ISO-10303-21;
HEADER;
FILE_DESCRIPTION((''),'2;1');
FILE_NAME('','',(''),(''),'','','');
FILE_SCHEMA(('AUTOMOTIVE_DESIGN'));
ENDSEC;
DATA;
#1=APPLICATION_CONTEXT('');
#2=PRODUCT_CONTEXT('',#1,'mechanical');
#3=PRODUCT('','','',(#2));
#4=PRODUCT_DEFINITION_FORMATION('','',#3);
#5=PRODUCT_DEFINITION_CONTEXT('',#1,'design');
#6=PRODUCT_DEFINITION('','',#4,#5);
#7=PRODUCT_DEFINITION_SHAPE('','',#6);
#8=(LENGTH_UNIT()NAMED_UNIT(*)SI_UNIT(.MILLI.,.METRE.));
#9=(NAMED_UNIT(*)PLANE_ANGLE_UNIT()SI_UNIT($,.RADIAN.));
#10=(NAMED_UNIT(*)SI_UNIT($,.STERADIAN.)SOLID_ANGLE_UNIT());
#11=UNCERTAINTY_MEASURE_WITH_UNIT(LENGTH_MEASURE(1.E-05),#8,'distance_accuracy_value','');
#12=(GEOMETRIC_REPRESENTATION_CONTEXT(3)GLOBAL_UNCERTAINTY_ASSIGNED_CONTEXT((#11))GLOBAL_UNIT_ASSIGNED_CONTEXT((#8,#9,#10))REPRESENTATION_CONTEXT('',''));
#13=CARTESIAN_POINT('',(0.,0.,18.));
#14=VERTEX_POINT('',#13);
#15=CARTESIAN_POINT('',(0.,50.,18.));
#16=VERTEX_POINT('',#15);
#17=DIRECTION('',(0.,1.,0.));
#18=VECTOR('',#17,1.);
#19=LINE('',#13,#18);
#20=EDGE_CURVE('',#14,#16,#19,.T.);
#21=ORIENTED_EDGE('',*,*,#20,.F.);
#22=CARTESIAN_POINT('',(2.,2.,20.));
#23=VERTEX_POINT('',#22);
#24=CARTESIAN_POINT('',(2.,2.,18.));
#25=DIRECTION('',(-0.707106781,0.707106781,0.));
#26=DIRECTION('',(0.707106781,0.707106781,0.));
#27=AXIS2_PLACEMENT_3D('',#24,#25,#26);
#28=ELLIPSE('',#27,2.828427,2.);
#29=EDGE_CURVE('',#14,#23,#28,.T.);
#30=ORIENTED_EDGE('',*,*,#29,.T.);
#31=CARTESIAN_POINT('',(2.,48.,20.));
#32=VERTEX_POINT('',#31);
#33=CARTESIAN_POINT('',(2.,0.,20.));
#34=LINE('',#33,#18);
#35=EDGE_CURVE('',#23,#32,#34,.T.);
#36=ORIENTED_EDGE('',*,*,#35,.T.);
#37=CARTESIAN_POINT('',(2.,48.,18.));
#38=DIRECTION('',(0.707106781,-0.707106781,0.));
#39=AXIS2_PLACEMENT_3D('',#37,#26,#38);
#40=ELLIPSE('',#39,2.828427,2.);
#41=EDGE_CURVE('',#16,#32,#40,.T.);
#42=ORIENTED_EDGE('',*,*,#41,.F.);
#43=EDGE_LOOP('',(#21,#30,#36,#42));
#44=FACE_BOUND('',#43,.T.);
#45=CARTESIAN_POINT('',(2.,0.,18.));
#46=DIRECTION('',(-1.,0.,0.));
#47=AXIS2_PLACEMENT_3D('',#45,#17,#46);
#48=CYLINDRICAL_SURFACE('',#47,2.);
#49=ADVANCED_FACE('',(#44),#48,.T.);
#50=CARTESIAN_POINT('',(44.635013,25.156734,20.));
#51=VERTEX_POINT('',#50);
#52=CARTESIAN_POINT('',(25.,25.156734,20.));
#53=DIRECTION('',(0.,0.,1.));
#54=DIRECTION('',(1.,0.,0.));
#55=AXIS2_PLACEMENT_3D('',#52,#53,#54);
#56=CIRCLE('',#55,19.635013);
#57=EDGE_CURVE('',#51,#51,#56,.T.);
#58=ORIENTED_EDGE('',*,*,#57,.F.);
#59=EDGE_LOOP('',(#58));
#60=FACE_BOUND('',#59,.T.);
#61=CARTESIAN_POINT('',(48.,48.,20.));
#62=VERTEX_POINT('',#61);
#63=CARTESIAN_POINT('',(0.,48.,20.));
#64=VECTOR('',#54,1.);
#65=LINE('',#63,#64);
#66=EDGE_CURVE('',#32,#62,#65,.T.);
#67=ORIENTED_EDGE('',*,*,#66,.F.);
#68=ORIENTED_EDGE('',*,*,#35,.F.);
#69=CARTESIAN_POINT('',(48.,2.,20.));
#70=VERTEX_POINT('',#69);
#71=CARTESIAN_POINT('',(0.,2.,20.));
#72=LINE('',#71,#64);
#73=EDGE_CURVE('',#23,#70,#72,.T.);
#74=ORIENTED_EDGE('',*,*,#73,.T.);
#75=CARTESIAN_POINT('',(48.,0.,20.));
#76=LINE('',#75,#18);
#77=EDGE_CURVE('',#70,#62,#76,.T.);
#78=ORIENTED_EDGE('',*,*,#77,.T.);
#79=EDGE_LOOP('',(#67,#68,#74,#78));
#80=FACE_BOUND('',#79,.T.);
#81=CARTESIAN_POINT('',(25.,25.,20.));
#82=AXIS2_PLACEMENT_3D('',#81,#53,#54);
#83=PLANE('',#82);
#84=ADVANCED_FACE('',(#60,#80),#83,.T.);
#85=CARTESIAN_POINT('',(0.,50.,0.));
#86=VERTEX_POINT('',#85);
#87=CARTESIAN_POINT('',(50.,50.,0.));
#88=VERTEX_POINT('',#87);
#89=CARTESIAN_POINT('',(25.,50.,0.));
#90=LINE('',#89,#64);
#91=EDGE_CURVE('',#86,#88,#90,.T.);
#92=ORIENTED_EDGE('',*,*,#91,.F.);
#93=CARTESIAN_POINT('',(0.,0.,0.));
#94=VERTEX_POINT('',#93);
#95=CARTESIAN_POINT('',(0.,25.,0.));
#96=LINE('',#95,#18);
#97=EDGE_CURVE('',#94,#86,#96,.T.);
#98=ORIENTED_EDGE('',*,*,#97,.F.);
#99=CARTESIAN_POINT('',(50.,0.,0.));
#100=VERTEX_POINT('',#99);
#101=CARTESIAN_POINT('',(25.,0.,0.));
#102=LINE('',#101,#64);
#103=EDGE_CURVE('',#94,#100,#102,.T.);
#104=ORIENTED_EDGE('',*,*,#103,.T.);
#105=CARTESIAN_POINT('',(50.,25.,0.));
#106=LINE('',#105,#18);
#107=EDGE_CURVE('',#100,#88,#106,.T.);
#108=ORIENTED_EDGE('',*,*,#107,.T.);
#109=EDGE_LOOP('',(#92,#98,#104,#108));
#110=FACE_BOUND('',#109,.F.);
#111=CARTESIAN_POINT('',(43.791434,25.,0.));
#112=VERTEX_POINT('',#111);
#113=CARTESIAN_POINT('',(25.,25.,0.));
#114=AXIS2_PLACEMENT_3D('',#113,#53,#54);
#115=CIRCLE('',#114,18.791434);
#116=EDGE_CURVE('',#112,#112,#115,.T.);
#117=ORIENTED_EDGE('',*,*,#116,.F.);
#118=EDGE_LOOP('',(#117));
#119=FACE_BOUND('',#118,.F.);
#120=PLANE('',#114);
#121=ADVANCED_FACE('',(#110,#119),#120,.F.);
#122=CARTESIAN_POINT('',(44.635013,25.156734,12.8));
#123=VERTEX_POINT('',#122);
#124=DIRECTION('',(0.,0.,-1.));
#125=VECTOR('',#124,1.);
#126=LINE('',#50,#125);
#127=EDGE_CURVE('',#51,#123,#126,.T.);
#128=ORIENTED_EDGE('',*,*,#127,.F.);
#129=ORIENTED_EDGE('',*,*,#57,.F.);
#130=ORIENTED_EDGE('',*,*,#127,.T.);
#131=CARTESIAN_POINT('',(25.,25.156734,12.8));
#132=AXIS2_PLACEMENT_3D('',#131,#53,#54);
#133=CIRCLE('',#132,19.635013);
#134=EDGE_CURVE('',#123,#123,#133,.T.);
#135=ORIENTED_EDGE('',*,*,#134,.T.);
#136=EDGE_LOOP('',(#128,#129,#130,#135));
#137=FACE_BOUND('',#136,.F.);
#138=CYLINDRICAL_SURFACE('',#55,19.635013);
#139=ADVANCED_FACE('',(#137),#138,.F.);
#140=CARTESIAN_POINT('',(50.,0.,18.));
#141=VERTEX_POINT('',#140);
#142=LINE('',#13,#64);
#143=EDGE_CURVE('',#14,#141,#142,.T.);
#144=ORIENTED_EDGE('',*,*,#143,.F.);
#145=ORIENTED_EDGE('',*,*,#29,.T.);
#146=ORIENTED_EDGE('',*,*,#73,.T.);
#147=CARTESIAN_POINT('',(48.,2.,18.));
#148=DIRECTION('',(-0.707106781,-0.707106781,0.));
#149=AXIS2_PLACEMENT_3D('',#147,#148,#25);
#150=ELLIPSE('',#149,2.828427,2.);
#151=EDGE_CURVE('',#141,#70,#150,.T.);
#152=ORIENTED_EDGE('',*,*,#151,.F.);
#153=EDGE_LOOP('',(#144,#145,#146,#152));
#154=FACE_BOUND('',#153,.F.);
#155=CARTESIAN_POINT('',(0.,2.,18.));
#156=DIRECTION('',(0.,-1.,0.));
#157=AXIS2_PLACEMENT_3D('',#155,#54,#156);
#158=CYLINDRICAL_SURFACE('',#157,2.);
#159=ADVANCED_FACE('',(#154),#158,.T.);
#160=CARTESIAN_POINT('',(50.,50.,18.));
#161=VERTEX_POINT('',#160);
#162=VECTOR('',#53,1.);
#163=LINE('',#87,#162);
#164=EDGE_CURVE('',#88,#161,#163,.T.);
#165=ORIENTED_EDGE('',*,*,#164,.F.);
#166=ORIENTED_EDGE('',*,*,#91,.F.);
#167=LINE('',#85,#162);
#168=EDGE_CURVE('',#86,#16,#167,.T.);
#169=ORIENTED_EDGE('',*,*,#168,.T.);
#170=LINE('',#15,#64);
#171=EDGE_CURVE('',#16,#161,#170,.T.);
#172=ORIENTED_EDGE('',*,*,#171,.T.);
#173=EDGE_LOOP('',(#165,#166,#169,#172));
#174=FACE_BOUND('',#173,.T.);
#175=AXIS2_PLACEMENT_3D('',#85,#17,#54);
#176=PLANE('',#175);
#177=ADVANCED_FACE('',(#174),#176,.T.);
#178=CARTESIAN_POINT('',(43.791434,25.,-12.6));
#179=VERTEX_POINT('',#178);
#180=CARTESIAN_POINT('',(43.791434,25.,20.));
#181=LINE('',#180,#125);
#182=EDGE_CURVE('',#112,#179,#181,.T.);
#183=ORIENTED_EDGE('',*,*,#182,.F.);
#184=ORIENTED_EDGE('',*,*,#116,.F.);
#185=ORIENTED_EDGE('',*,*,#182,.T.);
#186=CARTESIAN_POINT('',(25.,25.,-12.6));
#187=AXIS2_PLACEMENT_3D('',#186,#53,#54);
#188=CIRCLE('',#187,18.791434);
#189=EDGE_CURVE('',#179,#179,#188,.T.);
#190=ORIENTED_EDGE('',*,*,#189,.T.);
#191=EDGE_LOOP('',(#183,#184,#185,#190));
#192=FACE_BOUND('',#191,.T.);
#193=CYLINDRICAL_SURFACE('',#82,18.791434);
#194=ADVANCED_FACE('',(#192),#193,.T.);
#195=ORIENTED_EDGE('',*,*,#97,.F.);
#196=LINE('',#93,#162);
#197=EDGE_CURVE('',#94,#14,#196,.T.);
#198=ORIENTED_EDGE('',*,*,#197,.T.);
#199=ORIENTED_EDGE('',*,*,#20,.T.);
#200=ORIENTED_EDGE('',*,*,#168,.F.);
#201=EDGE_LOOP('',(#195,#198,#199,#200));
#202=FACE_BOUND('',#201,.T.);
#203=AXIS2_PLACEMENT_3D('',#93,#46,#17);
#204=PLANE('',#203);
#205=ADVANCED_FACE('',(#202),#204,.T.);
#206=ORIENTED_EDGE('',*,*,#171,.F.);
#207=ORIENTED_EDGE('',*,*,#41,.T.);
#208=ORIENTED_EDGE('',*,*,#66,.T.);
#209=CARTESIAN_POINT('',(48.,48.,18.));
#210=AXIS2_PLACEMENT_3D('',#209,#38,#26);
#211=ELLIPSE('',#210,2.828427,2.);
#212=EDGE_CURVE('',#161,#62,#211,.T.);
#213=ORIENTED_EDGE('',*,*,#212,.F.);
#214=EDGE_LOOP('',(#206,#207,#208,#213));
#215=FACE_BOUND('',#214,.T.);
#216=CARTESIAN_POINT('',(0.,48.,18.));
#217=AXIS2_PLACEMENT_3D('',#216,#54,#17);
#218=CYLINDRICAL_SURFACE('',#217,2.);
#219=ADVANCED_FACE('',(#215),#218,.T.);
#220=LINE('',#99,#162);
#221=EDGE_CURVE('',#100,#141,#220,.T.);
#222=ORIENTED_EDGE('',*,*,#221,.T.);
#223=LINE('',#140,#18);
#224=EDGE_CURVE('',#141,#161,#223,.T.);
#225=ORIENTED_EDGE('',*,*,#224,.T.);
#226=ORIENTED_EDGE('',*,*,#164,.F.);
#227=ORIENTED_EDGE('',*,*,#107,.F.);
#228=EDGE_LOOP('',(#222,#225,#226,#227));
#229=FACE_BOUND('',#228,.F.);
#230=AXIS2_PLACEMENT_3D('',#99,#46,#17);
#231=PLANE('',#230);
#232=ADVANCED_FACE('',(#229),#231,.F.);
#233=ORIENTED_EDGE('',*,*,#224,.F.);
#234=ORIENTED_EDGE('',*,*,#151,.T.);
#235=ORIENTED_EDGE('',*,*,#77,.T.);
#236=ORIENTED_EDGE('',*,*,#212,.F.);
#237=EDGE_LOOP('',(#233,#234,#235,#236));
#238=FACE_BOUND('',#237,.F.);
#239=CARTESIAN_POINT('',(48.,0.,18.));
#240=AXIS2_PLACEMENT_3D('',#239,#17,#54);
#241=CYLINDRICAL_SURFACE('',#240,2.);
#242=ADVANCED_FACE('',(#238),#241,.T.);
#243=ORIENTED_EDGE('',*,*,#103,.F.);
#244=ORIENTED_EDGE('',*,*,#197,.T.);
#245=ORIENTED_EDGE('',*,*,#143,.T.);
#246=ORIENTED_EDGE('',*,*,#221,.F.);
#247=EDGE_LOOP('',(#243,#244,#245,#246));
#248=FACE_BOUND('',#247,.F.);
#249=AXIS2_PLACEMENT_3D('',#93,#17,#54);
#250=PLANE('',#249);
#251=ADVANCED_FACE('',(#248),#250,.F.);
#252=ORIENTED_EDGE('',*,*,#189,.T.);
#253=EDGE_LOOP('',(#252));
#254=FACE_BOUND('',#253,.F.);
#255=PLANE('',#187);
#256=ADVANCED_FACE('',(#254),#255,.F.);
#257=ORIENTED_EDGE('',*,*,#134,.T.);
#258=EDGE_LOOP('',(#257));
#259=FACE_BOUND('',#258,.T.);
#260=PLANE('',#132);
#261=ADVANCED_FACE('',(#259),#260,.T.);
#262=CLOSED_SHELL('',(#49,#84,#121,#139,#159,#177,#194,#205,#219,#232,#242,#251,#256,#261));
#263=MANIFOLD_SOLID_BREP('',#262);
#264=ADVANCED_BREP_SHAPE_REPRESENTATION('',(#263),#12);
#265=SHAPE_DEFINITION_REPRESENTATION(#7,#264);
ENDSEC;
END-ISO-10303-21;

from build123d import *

# Parameters (mm, degrees)
F0_W     = 50
F0_H     = 50
F1_DEPTH = 20
F2_R     = 2
F3_R     = 18.791434
F4_DEPTH = 32.6
F6_R     = 19.635013
F7_DEPTH = 7.2


with BuildPart() as f1:
    # F0 (on Top) → F1 (new body)
    with BuildSketch(Plane.XY):
        with Locations((25, 25)):
            Rectangle(F0_W, F0_H)
    extrude(amount=F1_DEPTH)

    # F2
    f2_edges = [f1.edges().sort_by_distance(p)[0] for p in [
        (50, 25, 20),
        (25, 50, 20),
        (0, 25, 20),
        (25, 0, 20),
    ]]
    fillet(f2_edges, radius=F2_R)

    # F3 (on face) → F4 (join)
    with BuildSketch(Plane.XY.offset(20)):
        with Locations((25, 25)):
            Circle(F3_R)
    extrude(amount=-F4_DEPTH)

    # F6 (on face) → F7 (cut)
    with BuildSketch(Plane.XY.offset(20)):
        with Locations((25, 25.156734)):
            Circle(F6_R)
    extrude(amount=-F7_DEPTH, mode=Mode.SUBTRACT)


solid = f1.part
